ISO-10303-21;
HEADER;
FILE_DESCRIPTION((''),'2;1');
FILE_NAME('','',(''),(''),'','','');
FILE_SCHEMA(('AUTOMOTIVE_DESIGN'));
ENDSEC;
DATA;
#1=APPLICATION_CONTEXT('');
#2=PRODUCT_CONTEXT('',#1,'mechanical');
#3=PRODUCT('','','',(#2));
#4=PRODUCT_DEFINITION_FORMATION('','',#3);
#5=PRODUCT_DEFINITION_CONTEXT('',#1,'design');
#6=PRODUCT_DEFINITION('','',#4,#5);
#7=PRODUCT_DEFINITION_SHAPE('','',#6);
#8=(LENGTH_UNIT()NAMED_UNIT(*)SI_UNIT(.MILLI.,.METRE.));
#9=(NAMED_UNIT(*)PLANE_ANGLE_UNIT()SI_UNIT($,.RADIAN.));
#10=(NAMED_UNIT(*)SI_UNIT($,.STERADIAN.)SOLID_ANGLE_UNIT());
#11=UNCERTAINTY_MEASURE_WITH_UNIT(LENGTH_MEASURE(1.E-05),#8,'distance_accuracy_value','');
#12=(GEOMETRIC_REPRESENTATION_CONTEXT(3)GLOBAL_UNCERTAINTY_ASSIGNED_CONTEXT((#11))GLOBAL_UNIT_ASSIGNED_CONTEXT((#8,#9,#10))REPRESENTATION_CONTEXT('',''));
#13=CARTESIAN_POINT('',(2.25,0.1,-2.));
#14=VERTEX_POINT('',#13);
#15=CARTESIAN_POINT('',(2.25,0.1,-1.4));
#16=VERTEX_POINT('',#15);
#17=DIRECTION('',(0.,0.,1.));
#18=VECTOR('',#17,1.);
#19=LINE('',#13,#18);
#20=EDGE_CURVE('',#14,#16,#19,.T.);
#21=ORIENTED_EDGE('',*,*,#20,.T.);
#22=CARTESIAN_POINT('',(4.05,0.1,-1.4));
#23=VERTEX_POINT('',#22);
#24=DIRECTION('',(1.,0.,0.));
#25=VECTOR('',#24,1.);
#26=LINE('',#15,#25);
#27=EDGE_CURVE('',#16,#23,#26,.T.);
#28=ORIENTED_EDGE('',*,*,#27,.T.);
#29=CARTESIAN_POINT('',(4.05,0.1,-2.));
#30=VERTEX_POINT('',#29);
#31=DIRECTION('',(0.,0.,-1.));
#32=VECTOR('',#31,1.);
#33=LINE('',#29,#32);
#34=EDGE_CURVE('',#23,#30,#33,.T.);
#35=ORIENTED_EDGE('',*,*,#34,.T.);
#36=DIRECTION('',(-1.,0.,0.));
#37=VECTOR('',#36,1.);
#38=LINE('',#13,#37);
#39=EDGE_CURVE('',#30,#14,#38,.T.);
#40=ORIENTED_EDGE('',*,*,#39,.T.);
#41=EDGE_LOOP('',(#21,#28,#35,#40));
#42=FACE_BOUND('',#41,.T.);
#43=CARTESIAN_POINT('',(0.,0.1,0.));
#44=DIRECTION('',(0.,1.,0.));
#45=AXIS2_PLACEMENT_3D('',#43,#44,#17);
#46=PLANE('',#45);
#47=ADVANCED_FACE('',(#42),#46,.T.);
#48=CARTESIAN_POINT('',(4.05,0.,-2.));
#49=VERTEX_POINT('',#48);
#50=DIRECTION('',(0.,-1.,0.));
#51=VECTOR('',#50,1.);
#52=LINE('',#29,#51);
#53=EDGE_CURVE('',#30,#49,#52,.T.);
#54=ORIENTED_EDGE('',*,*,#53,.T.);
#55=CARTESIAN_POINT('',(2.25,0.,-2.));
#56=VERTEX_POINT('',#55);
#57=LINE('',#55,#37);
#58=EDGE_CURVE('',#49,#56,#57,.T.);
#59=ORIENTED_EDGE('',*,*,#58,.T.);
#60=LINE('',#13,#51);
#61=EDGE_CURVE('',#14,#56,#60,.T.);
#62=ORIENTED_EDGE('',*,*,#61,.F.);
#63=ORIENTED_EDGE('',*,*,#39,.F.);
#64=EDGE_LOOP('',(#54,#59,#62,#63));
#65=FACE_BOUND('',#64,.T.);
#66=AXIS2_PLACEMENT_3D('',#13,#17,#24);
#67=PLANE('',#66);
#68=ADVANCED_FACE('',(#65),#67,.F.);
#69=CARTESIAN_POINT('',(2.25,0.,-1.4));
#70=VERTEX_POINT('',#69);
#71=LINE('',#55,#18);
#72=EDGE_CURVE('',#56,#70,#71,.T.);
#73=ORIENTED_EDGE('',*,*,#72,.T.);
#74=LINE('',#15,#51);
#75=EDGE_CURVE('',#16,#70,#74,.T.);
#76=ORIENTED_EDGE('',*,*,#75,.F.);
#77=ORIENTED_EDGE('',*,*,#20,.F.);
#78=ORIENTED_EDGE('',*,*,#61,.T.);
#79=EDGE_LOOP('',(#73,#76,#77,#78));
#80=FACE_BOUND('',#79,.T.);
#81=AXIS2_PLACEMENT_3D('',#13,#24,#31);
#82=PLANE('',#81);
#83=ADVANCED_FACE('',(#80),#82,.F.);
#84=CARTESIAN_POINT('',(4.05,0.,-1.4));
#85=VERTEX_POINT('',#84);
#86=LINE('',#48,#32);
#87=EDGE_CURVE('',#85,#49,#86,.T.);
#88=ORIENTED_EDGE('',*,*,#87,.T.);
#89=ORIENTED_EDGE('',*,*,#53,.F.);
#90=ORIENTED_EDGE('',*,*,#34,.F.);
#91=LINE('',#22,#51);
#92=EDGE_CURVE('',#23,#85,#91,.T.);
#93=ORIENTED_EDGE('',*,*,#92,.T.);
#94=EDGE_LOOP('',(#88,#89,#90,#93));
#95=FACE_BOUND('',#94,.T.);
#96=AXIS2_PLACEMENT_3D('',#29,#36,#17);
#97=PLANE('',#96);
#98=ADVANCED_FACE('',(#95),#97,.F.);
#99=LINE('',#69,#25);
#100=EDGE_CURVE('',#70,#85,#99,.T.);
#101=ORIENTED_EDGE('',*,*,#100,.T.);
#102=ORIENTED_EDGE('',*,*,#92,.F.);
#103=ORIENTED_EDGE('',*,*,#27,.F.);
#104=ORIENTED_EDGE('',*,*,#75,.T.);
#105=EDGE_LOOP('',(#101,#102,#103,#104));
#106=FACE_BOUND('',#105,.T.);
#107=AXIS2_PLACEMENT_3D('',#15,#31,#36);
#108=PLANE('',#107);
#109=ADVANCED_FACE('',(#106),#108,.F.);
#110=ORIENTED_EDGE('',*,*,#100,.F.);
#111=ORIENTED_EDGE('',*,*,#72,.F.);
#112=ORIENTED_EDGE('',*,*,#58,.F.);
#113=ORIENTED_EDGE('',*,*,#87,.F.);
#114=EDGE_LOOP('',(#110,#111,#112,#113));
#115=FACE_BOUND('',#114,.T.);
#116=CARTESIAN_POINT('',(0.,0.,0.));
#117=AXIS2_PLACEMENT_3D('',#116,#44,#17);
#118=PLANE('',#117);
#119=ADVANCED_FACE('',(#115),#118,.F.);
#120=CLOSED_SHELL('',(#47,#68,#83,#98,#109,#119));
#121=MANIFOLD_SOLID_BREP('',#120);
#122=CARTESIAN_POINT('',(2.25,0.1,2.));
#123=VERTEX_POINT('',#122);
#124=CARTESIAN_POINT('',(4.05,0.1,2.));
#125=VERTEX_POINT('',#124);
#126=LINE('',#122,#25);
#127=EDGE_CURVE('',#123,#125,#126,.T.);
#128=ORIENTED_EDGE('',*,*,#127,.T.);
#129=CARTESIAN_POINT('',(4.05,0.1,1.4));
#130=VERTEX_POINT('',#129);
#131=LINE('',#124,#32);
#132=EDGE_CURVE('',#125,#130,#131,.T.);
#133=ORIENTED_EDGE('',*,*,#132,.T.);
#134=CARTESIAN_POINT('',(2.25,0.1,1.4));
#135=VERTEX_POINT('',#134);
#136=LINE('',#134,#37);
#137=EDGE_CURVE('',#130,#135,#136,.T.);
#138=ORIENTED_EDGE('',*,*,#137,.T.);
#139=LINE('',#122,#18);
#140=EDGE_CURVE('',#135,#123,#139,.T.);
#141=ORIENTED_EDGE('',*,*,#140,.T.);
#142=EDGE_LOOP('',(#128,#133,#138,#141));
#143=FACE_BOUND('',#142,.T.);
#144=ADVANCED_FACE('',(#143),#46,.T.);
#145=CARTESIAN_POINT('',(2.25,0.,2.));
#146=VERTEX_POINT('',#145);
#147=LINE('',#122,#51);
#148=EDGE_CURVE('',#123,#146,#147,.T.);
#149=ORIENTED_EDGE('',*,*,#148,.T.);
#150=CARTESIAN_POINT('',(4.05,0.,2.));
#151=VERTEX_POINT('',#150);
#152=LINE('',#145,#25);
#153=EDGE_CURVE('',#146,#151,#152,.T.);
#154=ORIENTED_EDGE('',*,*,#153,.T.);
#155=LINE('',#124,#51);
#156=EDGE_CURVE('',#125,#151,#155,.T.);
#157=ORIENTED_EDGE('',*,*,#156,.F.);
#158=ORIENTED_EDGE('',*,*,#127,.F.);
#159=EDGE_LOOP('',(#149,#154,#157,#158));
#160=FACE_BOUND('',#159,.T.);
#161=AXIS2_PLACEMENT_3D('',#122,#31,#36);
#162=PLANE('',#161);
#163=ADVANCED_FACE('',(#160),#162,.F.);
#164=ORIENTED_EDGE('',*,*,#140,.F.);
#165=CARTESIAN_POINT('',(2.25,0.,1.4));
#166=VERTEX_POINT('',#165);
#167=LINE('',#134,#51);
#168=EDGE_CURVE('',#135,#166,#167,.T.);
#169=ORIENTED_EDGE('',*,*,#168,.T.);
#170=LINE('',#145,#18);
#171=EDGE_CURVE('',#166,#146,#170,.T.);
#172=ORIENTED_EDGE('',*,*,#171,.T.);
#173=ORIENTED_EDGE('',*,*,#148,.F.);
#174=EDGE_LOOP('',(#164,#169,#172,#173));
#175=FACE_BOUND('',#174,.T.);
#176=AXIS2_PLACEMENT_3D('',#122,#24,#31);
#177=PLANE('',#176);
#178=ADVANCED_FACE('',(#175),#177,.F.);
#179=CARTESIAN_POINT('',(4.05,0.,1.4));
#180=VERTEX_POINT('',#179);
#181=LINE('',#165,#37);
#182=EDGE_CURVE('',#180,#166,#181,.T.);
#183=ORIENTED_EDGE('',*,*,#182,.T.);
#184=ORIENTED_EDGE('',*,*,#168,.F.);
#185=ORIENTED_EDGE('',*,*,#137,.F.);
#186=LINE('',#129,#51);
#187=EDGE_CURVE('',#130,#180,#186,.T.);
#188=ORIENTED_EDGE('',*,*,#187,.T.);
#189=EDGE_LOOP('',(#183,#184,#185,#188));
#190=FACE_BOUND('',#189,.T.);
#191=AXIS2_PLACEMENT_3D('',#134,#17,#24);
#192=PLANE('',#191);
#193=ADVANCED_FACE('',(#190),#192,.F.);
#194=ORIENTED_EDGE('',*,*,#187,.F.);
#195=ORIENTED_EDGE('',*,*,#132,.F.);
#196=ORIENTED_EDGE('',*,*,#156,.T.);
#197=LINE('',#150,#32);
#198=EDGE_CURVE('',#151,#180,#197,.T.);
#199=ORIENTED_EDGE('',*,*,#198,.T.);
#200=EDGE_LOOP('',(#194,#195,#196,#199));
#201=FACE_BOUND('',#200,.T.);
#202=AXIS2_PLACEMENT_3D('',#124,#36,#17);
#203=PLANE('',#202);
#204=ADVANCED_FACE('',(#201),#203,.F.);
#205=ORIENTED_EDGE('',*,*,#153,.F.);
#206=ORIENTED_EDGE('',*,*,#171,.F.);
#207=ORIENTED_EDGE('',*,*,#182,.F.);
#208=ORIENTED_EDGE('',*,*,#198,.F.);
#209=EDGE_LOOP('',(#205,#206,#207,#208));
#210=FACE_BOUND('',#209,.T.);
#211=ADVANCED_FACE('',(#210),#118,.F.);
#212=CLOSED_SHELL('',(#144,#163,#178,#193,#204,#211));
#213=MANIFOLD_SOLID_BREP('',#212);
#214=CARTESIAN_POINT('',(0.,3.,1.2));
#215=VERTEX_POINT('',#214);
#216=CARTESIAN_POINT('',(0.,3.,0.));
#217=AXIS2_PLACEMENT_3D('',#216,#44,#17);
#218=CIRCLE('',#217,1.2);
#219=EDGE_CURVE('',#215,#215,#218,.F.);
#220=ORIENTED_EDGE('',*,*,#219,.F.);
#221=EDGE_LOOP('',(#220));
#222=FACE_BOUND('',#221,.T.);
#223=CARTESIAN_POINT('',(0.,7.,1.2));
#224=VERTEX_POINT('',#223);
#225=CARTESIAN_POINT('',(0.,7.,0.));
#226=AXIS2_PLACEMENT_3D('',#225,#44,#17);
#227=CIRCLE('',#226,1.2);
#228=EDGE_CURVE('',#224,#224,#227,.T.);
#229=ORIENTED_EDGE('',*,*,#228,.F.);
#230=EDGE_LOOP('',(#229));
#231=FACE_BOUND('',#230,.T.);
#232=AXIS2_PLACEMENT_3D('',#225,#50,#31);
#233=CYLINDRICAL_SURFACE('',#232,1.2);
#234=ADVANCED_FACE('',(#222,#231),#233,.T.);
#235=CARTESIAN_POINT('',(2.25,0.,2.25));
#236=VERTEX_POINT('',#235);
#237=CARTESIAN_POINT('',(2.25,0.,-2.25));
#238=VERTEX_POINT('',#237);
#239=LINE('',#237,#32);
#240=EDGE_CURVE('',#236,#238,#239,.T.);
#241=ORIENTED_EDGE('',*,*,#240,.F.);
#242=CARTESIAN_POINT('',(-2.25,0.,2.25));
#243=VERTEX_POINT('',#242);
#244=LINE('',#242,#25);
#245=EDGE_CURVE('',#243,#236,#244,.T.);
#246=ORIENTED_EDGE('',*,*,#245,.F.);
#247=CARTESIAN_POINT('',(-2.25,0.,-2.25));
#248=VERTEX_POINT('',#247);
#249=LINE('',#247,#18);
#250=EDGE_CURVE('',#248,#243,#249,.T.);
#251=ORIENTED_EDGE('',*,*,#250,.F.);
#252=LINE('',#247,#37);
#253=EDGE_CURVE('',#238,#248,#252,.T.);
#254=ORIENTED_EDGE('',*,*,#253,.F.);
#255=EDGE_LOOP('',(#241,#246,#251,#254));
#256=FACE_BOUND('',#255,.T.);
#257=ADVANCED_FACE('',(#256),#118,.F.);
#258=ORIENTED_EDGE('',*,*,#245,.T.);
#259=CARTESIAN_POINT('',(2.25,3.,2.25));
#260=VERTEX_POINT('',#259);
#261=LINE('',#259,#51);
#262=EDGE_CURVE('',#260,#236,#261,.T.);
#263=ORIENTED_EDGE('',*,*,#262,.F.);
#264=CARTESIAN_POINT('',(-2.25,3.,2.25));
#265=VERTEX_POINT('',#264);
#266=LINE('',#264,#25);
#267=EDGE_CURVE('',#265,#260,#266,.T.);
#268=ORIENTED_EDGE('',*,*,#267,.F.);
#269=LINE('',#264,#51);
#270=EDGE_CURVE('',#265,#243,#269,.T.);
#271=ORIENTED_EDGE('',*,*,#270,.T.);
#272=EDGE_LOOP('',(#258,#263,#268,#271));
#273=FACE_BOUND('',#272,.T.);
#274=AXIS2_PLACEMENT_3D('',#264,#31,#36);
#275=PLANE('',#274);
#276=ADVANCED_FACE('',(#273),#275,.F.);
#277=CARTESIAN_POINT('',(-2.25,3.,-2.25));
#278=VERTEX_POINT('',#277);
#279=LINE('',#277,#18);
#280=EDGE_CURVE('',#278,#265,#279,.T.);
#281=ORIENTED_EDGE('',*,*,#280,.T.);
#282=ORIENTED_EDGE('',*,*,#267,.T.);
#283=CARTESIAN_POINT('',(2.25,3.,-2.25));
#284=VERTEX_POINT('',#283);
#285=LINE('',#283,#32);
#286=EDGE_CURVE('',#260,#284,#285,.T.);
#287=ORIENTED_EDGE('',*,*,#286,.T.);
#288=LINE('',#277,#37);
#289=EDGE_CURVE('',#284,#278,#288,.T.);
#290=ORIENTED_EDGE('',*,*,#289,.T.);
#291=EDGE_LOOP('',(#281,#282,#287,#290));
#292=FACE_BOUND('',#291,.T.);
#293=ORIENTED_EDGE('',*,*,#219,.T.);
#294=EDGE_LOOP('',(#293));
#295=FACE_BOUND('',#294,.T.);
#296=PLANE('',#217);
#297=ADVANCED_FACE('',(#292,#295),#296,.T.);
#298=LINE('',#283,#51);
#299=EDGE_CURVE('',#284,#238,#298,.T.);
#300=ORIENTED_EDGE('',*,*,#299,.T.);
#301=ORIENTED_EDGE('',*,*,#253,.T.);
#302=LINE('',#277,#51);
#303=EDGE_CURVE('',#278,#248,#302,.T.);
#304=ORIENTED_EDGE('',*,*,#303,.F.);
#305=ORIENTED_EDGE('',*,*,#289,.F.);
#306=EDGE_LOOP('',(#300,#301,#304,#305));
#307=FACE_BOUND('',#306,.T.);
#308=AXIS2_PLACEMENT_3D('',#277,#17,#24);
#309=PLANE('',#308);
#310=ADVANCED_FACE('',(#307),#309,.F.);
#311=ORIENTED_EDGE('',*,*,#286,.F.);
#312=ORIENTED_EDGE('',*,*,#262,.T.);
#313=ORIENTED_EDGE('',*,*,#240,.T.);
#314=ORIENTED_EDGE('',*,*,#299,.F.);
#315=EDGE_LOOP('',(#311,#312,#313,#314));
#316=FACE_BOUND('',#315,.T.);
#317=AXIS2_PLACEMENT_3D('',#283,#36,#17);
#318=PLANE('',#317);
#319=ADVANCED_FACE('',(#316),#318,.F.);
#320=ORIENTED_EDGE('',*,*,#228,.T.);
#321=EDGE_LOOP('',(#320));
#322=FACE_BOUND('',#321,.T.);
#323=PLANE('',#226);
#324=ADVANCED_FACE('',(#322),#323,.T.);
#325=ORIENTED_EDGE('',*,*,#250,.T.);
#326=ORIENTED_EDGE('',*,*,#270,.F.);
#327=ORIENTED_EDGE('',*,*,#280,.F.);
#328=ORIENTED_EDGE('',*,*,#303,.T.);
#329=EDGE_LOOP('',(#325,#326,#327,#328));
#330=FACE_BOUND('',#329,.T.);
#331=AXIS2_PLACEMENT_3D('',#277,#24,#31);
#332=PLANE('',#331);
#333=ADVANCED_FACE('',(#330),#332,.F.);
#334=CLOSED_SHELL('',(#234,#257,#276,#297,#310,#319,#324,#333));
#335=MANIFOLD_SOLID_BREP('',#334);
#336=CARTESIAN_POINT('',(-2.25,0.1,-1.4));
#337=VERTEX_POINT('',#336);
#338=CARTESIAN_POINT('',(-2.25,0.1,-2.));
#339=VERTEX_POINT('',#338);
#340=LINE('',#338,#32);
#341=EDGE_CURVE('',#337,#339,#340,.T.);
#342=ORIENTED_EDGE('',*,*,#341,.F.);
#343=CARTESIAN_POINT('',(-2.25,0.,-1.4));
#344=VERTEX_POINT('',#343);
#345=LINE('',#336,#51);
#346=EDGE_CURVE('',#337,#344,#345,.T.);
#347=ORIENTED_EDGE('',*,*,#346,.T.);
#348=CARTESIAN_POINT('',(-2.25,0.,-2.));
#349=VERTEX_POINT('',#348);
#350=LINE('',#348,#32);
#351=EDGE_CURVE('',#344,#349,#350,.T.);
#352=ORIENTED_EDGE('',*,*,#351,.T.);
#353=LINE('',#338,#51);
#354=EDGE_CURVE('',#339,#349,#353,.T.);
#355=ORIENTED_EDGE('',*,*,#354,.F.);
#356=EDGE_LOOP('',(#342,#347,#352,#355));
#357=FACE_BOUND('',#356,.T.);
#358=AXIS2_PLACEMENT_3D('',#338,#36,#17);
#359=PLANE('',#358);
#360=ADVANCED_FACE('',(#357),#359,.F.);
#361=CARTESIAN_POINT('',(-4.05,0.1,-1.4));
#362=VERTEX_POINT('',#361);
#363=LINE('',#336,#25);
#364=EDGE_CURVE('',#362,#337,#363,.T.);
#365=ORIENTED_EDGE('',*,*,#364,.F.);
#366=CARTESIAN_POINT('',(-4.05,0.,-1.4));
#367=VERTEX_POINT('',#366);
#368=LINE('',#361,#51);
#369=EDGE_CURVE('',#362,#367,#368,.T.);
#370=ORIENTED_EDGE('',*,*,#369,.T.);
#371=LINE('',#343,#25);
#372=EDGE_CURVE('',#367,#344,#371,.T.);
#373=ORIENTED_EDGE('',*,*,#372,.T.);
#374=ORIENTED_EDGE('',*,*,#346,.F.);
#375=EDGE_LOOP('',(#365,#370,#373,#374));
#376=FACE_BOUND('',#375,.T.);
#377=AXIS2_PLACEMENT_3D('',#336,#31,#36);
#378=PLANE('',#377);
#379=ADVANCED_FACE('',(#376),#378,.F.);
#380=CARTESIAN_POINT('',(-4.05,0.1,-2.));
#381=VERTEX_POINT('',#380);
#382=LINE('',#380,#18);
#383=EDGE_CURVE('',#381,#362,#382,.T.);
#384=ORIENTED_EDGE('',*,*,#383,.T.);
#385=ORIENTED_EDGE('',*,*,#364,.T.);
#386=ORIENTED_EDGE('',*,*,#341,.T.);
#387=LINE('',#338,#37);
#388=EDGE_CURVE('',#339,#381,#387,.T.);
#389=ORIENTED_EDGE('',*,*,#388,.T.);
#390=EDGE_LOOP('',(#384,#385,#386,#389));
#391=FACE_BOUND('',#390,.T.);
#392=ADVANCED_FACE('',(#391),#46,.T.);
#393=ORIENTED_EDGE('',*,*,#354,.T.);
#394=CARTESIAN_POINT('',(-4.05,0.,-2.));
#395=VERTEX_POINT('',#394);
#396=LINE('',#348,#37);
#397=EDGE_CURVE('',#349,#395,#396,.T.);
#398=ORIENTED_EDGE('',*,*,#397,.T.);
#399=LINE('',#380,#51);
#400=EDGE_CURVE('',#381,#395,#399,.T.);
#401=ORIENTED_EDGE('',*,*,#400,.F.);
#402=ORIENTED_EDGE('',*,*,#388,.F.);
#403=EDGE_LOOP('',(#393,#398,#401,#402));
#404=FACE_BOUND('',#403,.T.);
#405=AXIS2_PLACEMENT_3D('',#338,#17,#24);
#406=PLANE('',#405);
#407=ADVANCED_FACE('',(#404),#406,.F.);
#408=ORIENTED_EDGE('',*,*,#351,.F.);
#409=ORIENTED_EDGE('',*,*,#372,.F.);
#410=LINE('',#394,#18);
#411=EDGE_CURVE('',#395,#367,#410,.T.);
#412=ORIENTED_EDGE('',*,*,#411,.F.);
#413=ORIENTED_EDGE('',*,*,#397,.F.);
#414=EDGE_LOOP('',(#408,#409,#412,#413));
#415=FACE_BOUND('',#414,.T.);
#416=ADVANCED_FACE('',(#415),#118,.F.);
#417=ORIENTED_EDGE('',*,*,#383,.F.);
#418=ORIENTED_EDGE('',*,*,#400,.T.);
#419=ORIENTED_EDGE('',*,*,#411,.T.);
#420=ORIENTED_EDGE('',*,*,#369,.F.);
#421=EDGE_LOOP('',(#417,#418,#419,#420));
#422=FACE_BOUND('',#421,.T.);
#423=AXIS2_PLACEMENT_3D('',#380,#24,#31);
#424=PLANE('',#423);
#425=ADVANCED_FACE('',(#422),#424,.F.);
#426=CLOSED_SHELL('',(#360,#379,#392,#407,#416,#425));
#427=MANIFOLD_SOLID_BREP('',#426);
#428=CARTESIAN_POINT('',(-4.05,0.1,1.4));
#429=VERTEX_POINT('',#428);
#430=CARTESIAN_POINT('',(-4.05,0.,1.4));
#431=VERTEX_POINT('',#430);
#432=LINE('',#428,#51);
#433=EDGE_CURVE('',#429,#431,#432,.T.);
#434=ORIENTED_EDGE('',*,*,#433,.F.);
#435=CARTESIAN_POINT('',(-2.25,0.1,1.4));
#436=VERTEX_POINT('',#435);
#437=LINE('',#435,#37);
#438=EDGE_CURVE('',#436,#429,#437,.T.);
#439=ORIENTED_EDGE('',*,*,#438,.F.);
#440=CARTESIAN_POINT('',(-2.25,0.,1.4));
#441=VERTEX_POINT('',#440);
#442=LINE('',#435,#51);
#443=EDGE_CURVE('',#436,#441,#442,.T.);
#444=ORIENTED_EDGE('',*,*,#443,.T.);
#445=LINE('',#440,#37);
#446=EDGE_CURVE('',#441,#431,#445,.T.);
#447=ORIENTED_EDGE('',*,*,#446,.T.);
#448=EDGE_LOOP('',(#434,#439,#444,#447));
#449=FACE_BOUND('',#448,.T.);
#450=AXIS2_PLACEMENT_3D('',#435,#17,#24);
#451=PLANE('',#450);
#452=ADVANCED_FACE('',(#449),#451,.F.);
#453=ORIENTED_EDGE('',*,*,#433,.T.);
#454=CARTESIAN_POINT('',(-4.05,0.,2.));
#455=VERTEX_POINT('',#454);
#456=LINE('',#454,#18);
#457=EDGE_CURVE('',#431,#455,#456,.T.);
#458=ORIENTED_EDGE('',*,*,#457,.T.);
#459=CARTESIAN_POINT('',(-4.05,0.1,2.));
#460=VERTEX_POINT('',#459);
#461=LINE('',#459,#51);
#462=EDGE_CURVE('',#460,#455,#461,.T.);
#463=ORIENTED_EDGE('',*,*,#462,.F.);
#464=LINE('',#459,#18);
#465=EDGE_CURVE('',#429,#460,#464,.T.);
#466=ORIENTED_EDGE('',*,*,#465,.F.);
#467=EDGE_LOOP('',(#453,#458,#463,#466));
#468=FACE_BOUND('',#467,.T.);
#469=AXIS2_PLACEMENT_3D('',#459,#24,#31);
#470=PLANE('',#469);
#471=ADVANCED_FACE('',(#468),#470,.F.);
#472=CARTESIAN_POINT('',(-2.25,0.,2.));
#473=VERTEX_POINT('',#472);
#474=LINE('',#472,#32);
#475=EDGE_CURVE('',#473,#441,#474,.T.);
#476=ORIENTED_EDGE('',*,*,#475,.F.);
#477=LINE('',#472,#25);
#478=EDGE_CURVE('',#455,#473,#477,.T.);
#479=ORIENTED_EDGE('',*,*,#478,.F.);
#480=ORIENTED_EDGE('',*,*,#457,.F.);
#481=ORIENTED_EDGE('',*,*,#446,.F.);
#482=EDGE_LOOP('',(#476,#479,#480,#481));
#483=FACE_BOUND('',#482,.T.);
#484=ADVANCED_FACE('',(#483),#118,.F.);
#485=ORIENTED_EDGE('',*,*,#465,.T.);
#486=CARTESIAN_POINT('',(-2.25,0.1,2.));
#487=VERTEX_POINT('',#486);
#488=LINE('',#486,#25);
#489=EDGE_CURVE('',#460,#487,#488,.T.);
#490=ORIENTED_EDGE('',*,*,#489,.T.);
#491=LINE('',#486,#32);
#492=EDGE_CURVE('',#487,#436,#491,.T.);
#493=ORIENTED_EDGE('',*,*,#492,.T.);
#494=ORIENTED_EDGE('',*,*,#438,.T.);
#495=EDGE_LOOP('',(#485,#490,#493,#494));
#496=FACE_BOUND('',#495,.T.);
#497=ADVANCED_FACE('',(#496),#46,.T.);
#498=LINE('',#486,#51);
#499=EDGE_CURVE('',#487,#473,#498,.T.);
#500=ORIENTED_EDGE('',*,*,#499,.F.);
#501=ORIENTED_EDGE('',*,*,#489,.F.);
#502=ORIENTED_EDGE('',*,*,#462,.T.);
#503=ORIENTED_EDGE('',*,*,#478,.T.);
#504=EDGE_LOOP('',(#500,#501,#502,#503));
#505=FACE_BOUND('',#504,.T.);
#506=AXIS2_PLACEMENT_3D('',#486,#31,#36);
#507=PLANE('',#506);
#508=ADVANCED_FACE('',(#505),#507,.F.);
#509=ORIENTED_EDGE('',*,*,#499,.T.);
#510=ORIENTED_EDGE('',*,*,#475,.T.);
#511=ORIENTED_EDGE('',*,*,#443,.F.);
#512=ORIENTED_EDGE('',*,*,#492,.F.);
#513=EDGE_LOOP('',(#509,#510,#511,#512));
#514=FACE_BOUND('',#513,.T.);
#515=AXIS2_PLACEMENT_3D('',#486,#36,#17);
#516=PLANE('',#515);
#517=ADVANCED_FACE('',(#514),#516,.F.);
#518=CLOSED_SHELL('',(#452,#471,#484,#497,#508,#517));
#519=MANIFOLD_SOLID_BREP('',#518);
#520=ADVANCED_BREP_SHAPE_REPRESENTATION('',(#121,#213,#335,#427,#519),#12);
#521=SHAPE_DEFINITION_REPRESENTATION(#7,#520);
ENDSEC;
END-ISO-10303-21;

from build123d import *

# Parameters (mm, degrees)
SKETCH_1_W        = 4.5
SKETCH_1_H        = 4.5
EXTRUDE_1_DEPTH   = 3
SKETCH_2_R        = 1.2
EXTRUDE_2_DEPTH   = 7
SKETCH_3_W        = 1.8
SKETCH_3_H        = 0.6
EXTRUDE_3_DEPTH   = 0.1
EXTRUDE_3_2_DEPTH = 0.1
EXTRUDE_3_3_DEPTH = 0.1
EXTRUDE_3_4_DEPTH = 0.1


with BuildPart() as part:
    # Эскиз1 → Бобышка-Вытянуть1 (new body)
    with BuildSketch(Plane(origin=(0, 0, 0), x_dir=(1, 0, 0), z_dir=(0, 1, 0))):
        Rectangle(SKETCH_1_W, SKETCH_1_H)
    extrude(amount=EXTRUDE_1_DEPTH)

    # Эскиз2 → Бобышка-Вытянуть2 (add)
    with BuildSketch(Plane(origin=(0, 0, 0), x_dir=(1, 0, 0), z_dir=(0, 1, 0))):
        with Locations(Location((0, 0, 0), (0, 0, 270))):
            Circle(SKETCH_2_R)
    extrude(amount=EXTRUDE_2_DEPTH)


with BuildPart() as body_2:
    # Эскиз3 → Бобышка-Вытянуть3 (new body)
    with BuildSketch(Plane(origin=(0, 0, 0), x_dir=(1, 0, 0), z_dir=(0, 1, 0))):
        with Locations((-3.15, -1.7)):
            Rectangle(SKETCH_3_W, SKETCH_3_H)
    extrude(amount=EXTRUDE_3_DEPTH)


with BuildPart() as body_3:
    # Эскиз3 → Extrude 3 2 (new body)
    with BuildSketch(Plane(origin=(0, 0, 0), x_dir=(1, 0, 0), z_dir=(0, 1, 0))):
        with Locations((-3.15, 1.7)):
            Rectangle(SKETCH_3_W, SKETCH_3_H)
    extrude(amount=EXTRUDE_3_2_DEPTH)


with BuildPart() as body_4:
    # Эскиз3 → Extrude 3 3 (new body)
    with BuildSketch(Plane(origin=(0, 0, 0), x_dir=(1, 0, 0), z_dir=(0, 1, 0))):
        with Locations((3.15, 1.7)):
            Rectangle(SKETCH_3_W, SKETCH_3_H)
    extrude(amount=EXTRUDE_3_3_DEPTH)


with BuildPart() as body_5:
    # Эскиз3 → Extrude 3 4 (new body)
    with BuildSketch(Plane(origin=(0, 0, 0), x_dir=(1, 0, 0), z_dir=(0, 1, 0))):
        with Locations((3.15, -1.7)):
            Rectangle(SKETCH_3_W, SKETCH_3_H)
    extrude(amount=EXTRUDE_3_4_DEPTH)


solid = Compound([part.part, body_2.part, body_3.part, body_4.part, body_5.part])
